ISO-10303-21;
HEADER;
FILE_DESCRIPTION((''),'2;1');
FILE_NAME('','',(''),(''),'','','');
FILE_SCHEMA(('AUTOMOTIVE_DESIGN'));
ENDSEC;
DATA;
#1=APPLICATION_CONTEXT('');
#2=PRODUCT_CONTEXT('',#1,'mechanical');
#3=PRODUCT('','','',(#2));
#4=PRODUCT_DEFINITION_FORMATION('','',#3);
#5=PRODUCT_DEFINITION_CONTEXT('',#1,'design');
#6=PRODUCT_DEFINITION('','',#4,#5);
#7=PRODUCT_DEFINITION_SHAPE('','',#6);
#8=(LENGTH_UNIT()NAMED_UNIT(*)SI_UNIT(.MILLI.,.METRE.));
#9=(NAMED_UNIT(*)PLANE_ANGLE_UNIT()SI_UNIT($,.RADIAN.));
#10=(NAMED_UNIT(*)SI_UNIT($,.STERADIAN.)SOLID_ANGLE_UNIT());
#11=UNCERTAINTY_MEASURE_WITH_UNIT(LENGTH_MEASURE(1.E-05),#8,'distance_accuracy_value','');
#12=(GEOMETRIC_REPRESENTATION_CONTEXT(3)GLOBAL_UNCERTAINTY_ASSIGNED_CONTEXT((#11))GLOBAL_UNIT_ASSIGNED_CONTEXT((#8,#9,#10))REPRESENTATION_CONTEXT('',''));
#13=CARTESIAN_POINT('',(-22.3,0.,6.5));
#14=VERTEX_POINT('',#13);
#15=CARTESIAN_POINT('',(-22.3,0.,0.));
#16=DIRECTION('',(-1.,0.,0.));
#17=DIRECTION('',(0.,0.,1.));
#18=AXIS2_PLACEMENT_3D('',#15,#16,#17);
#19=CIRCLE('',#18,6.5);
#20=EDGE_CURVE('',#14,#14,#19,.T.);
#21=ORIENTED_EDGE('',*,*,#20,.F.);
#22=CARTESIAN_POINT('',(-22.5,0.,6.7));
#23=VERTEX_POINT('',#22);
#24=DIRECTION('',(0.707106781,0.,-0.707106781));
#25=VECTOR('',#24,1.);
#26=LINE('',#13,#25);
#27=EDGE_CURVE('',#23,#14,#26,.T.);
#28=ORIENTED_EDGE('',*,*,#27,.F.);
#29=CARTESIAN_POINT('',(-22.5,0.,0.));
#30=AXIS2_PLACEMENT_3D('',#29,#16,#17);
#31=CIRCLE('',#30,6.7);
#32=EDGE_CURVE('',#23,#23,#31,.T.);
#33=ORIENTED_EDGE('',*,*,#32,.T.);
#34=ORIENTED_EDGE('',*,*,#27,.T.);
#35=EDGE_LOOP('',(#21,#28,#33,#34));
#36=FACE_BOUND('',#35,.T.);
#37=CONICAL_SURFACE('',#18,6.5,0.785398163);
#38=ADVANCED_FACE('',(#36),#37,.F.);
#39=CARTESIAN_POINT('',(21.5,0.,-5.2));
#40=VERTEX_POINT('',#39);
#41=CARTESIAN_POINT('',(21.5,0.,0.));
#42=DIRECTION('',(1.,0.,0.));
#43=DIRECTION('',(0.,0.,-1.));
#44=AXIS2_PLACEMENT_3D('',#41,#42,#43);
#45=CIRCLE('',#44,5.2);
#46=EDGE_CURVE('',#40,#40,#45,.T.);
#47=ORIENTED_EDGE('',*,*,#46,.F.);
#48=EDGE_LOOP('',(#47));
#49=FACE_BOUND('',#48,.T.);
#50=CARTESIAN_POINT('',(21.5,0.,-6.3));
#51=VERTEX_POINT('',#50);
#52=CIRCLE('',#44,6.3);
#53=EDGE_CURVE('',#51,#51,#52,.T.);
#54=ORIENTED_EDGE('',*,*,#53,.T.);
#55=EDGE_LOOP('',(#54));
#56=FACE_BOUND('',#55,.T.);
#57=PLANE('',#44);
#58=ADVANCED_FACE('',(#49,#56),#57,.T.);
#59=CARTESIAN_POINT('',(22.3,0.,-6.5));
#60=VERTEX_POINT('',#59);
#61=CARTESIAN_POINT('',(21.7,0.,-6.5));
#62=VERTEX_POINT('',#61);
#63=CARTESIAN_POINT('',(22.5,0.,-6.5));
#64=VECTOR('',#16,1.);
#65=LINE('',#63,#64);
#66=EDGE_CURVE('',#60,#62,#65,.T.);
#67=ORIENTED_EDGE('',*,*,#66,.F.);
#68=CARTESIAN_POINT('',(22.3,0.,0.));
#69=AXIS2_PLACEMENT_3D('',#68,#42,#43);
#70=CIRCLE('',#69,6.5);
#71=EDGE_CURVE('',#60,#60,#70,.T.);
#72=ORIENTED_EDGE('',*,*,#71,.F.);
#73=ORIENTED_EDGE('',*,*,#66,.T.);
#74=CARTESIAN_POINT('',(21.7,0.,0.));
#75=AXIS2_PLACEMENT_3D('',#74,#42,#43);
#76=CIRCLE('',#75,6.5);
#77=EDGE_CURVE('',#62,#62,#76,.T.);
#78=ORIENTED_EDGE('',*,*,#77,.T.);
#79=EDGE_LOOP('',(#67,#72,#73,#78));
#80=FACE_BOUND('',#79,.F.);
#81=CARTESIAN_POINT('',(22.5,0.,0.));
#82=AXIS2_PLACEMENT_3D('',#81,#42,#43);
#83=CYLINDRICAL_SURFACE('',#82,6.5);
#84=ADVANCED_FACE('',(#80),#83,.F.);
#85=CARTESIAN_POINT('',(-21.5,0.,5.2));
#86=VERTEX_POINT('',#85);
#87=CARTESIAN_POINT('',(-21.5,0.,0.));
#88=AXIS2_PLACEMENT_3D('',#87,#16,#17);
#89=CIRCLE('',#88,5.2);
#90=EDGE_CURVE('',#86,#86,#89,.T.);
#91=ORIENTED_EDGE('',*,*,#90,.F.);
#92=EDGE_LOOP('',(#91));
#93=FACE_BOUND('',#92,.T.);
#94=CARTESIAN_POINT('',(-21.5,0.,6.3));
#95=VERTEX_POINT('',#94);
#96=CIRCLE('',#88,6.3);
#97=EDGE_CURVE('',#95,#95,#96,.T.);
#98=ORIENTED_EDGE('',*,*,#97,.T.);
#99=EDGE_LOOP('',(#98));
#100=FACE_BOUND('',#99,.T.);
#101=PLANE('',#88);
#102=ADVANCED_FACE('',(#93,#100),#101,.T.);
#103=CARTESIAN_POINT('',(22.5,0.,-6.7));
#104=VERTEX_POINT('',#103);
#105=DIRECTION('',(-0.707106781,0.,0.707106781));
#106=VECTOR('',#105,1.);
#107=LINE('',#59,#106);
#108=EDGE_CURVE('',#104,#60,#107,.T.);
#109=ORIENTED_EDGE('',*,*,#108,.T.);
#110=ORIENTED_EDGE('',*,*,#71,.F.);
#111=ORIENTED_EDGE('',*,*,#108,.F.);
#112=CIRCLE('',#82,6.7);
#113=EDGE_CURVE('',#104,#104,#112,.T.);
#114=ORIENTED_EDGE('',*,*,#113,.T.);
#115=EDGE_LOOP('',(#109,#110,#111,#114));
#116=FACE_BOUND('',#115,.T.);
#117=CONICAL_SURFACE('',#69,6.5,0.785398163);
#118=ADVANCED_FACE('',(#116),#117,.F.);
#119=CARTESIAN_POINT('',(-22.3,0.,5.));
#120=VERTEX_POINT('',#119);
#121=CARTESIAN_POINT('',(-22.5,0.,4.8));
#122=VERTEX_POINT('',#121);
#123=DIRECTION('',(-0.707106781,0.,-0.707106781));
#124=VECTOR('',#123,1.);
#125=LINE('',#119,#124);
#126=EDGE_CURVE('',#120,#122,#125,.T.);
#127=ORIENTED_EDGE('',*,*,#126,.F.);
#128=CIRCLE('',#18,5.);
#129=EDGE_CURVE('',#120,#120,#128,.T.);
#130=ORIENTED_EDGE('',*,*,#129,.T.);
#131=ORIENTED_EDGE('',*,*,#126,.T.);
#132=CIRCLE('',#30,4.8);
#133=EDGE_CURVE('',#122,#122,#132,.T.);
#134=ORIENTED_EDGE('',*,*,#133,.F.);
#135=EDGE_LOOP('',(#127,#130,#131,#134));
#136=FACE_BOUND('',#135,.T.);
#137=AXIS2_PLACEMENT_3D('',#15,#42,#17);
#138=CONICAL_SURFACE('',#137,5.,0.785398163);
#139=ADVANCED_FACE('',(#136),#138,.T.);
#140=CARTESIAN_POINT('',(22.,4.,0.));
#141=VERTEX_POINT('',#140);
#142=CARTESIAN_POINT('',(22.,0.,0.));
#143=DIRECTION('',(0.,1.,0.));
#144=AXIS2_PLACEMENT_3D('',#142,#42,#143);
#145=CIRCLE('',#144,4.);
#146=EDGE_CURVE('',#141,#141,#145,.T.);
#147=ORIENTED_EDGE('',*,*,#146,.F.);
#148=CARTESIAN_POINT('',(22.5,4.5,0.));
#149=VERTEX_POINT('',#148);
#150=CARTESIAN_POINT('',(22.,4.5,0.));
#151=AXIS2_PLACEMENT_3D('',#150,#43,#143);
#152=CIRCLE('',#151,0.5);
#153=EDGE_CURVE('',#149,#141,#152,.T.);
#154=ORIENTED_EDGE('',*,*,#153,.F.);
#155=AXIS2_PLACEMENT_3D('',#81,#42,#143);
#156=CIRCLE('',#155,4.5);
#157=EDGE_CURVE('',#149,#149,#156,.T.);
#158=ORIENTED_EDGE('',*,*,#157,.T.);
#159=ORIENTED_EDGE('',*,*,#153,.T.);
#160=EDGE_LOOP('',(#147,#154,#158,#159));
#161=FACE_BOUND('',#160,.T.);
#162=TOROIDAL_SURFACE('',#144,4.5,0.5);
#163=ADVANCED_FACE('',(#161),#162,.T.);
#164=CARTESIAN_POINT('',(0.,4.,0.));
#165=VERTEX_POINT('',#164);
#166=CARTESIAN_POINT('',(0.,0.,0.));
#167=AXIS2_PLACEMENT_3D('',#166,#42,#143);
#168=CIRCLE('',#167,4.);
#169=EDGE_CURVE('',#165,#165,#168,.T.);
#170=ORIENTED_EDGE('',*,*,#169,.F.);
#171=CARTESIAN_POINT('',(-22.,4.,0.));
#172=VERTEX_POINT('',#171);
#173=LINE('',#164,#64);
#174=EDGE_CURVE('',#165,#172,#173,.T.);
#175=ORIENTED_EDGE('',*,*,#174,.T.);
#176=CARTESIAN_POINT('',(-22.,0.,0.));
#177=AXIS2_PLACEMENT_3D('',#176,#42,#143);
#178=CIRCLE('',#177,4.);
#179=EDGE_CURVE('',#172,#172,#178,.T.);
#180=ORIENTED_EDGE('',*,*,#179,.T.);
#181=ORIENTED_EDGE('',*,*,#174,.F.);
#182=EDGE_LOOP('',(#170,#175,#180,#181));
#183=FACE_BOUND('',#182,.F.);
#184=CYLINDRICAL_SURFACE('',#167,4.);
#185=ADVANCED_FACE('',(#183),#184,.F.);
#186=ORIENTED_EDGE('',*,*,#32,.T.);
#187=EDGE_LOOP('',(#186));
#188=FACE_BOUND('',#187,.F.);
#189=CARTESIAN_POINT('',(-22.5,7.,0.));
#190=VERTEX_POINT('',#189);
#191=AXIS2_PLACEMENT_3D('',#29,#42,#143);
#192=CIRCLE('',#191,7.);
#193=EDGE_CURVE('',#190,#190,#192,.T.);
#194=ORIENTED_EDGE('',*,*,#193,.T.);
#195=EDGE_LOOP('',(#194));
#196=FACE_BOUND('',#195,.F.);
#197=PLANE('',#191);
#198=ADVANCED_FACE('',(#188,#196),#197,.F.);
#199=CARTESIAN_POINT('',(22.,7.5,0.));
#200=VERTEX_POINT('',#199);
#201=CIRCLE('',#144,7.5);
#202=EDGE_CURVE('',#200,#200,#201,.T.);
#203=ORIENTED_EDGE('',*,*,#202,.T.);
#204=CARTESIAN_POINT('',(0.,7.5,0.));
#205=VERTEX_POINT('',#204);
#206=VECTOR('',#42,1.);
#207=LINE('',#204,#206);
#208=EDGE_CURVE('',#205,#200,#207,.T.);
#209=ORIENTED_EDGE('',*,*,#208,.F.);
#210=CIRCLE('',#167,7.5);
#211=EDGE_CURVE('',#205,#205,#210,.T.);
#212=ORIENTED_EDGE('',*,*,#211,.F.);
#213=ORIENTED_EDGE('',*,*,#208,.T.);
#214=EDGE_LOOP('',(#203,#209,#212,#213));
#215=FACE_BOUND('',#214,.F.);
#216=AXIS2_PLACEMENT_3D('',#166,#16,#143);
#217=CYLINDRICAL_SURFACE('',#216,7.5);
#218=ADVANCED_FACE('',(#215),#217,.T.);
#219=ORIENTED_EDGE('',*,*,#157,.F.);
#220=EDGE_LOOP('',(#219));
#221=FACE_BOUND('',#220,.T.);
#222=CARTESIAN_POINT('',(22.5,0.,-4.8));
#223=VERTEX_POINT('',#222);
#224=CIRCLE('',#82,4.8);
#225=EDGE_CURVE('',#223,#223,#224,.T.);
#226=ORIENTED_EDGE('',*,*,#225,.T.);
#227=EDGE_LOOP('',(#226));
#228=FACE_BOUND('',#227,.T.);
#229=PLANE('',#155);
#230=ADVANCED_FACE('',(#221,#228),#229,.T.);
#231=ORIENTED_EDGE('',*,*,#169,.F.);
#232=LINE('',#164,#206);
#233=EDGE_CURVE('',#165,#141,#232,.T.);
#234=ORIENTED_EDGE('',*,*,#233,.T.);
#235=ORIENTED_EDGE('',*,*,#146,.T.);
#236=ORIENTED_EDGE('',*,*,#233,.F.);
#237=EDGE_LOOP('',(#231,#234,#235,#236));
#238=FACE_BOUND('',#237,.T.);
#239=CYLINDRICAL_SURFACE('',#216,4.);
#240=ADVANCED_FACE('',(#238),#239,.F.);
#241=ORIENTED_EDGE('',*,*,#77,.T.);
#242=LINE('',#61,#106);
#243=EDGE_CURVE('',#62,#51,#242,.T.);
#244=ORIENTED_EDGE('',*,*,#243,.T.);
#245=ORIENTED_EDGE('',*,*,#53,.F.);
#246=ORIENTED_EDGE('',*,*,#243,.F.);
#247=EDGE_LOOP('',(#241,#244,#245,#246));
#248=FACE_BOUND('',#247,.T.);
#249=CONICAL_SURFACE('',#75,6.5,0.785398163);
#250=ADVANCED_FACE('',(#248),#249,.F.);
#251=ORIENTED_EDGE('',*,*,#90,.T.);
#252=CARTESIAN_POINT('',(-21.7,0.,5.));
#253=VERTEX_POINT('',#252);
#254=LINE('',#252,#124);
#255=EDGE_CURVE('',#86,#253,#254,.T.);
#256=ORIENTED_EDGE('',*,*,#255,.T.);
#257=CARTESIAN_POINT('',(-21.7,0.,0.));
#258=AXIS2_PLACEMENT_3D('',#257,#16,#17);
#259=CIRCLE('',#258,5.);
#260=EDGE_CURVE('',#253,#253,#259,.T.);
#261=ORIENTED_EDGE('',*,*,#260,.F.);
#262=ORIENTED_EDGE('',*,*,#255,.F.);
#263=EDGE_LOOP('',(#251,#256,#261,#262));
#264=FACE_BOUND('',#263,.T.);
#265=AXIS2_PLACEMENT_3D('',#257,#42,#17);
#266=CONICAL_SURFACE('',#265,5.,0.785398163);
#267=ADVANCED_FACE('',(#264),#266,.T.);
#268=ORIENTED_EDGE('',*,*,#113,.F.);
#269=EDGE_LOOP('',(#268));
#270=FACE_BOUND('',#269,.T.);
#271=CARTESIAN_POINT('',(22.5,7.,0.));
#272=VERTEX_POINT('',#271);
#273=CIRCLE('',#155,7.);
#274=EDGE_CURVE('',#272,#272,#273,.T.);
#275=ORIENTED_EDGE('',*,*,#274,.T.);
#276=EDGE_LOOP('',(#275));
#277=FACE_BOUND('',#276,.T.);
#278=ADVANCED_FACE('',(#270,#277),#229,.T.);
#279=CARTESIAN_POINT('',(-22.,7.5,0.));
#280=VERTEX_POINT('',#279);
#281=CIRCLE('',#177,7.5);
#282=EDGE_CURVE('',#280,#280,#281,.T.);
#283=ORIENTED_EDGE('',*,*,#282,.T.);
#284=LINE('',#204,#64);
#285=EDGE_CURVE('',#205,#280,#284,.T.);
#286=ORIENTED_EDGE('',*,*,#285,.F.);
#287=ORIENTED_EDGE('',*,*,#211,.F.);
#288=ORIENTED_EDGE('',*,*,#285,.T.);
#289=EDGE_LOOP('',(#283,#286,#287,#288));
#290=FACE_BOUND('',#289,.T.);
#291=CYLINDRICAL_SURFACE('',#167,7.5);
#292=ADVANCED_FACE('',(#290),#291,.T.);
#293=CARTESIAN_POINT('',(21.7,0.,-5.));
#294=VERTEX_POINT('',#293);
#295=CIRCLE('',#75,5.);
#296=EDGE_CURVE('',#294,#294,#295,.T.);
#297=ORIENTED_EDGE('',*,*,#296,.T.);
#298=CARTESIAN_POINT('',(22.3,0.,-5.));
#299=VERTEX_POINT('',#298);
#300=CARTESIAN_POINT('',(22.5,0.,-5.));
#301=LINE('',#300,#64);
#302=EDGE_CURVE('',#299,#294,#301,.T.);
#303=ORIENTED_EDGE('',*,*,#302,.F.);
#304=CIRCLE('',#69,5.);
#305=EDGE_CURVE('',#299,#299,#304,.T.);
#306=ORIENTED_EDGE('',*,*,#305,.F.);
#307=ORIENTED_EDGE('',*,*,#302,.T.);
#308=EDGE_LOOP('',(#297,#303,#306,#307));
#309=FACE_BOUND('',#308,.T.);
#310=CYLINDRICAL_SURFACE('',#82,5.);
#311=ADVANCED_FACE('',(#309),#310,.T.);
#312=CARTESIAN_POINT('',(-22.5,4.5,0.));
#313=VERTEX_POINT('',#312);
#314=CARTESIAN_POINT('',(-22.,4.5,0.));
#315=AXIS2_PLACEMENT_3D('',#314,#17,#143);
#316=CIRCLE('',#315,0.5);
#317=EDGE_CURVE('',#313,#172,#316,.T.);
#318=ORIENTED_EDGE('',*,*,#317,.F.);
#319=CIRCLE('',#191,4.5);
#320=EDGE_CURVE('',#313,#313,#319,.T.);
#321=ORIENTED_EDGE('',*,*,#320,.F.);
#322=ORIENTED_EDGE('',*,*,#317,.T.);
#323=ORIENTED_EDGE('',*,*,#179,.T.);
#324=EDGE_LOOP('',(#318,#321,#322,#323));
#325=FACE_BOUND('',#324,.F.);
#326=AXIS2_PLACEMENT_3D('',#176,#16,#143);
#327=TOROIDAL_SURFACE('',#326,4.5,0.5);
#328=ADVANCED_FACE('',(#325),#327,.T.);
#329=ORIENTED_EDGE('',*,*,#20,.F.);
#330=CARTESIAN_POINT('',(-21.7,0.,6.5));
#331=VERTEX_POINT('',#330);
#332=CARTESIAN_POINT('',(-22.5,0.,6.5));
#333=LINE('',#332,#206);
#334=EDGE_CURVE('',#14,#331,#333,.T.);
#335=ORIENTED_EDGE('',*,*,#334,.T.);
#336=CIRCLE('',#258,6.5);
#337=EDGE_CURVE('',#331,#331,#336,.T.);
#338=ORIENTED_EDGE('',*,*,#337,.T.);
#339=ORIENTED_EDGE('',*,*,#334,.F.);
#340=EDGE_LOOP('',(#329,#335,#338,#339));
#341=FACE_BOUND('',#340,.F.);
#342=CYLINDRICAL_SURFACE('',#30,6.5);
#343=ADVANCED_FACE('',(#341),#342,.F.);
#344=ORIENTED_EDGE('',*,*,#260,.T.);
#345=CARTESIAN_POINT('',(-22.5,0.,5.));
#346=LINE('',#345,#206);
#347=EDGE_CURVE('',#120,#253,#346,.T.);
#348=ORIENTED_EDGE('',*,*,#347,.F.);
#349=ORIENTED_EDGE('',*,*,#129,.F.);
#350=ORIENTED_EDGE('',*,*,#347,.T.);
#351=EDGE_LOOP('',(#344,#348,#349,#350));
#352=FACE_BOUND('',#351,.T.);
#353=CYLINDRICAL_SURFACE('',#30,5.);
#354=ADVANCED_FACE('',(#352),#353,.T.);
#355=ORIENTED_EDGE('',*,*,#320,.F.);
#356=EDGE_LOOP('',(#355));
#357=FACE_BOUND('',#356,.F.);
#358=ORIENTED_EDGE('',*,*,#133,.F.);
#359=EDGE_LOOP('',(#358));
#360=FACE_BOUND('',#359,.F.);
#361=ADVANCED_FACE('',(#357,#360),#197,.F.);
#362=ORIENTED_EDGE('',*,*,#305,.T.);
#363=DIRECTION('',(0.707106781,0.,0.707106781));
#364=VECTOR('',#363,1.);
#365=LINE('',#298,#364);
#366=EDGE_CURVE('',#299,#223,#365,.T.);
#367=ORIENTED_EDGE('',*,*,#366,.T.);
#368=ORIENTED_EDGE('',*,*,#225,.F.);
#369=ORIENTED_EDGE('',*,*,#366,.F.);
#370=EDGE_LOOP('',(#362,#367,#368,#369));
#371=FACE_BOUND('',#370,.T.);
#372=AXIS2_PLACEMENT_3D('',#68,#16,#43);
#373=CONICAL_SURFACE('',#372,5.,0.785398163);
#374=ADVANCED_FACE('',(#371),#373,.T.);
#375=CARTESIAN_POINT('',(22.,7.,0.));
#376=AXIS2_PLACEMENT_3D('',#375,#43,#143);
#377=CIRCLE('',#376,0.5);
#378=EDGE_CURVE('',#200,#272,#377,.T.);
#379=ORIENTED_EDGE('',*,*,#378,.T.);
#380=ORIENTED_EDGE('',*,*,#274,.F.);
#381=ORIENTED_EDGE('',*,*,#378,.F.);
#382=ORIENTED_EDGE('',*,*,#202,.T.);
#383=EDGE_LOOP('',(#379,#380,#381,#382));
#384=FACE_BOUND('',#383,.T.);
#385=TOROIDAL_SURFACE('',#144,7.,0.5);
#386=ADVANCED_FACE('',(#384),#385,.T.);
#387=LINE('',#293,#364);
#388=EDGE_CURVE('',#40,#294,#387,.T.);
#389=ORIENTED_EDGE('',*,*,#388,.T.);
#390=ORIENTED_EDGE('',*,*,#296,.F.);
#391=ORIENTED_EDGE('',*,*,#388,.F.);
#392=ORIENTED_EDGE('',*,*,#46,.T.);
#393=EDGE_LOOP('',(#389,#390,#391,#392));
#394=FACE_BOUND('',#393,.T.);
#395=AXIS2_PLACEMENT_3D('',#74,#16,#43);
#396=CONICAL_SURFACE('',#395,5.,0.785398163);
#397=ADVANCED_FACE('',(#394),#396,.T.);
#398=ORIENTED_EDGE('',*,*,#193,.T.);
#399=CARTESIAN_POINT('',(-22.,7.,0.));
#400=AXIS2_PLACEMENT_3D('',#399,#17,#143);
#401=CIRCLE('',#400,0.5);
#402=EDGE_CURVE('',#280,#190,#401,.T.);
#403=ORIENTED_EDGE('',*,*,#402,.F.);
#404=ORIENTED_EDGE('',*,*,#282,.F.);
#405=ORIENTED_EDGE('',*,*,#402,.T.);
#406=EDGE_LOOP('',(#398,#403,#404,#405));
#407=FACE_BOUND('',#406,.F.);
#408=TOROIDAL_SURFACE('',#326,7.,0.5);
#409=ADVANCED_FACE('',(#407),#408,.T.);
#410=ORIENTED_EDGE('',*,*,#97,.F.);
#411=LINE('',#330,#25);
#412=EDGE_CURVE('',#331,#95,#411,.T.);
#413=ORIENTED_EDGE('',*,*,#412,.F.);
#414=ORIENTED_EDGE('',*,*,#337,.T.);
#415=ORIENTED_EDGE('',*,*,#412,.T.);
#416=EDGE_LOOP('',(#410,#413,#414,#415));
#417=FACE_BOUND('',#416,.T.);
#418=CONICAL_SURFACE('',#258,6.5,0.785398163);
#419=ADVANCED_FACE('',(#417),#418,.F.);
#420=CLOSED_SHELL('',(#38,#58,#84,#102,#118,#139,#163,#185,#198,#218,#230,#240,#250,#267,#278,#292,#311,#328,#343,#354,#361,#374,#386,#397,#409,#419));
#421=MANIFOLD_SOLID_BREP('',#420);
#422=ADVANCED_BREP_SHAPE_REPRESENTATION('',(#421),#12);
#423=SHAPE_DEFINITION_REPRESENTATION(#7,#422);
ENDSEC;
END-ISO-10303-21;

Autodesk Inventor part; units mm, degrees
ref_plane "YZ Plane" through (0, 0, 0) normal (1, 0, 0) x (0, 1, 0)
ref_plane "XZ Plane" through (0, 0, 0) normal (0, 1, 0) x (-1, 0, 0)
ref_plane "XY Plane" through (0, 0, 0) normal (0, 0, 1) x (1, 0, 0)
sketch "Эскиз1" plane through (0, 0, 0) normal (1, 0, 0) x (0, 1, 0)
  circle A0 centre (0, 0) radius 7.5
  circle A1 centre (0, 0) radius 4
  dimension "d0" = 15
  dimension "d1" = 8
extrude "Выдавливание1" add sketch "Эскиз1" along normal mid plane 45
sketch "Эскиз2" plane through (22.5, 0, 0) normal (1, 0, 0) x (0, 0, -1)
  circle A0 centre (0, 0) radius 5
  circle A1 centre (0, 0) radius 6.5
  dimension "d4" = 10
  dimension "d5" = 13
extrude "Выдавливание2" cut sketch "Эскиз2" against normal blind 1
sketch "Эскиз3" plane through (-22.5, 0, 0) normal (-1, 0, 0) x (0, 0, 1)
  circle A0 centre (0, 0) radius 6.5
  circle A1 centre (0, 0) radius 5
  dimension "d9" = 13
  dimension "d10" = 10
extrude "Выдавливание3" cut sketch "Эскиз3" against normal blind 1
fillet "Сопряжение1" radius 0.5 1 edges at (-22.5, -7.5, 0)
fillet "Сопряжение2" radius 0.5 3 edges at (-22.5, -4, 0) (22.5, -7.5, 0) (22.5, -4, 0)
chamfer "Фаска1" distance 0.2 angle 45 8 edges at (22.5, 0, 5) (22.5, 0, 6.5) (-22.5, 0, -5) (-22.5, 0, -6.5) (-21.5, 0, -5) (-21.5, 0, -6.5) (21.5, 0, 6.5) (21.5, 0, 5)
properties part number "LM8LUU"
